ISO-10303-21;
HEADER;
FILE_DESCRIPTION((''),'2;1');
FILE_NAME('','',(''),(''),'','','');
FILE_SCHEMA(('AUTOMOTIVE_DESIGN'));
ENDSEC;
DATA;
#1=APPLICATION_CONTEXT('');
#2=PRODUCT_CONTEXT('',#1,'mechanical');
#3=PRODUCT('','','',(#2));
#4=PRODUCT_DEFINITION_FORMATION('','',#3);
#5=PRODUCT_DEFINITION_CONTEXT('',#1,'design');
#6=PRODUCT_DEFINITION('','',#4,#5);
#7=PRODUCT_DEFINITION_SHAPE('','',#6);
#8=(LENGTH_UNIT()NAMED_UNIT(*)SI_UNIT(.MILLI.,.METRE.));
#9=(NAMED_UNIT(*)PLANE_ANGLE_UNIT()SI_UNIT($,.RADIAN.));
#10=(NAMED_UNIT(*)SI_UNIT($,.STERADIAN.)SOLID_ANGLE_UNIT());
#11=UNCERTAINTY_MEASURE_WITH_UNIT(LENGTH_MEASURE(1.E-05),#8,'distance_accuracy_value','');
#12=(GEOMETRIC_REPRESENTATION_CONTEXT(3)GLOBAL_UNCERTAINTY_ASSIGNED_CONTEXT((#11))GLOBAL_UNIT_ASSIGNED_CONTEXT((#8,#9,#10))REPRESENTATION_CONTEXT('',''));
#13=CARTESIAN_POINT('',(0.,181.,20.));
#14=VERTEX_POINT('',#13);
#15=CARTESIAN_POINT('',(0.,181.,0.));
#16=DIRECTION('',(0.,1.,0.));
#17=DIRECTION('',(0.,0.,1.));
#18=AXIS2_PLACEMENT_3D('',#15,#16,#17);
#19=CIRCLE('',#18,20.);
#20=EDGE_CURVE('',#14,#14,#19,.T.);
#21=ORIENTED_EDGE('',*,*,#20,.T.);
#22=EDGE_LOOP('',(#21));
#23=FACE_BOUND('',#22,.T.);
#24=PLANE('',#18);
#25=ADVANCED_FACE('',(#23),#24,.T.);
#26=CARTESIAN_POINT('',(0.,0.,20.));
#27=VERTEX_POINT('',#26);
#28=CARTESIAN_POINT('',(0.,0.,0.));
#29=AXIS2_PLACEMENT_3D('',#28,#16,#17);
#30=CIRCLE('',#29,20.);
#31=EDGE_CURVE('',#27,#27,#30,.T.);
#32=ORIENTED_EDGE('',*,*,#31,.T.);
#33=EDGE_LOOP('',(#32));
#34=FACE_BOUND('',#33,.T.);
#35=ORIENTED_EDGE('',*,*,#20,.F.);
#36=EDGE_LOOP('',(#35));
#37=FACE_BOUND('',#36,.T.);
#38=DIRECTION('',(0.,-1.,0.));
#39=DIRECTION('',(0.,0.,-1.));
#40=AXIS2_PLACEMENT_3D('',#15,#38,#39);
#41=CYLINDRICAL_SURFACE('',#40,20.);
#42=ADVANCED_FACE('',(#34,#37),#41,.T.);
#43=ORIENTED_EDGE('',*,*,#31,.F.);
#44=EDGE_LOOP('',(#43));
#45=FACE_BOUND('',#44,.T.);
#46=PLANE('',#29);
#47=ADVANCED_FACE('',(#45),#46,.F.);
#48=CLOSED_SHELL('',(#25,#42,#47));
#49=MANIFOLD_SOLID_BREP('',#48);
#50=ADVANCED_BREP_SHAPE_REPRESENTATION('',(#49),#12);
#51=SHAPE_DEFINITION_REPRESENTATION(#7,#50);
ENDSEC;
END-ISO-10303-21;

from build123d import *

# Parameters (mm, degrees)
IZIM1_R                     = 20
Y_KSEKLIK_EKSTR_ZYON1_DEPTH = 181


with BuildPart() as part:
    # Çizim1 → Yükseklik-Ekstrüzyon1 (new body)
    with BuildSketch(Plane(origin=(0, 0, 0), x_dir=(1, 0, 0), z_dir=(0, 1, 0))):
        with Locations(Location((0, 0, 0), (0, 0, 270))):
            Circle(IZIM1_R)
    extrude(amount=Y_KSEKLIK_EKSTR_ZYON1_DEPTH)


solid = part.part
